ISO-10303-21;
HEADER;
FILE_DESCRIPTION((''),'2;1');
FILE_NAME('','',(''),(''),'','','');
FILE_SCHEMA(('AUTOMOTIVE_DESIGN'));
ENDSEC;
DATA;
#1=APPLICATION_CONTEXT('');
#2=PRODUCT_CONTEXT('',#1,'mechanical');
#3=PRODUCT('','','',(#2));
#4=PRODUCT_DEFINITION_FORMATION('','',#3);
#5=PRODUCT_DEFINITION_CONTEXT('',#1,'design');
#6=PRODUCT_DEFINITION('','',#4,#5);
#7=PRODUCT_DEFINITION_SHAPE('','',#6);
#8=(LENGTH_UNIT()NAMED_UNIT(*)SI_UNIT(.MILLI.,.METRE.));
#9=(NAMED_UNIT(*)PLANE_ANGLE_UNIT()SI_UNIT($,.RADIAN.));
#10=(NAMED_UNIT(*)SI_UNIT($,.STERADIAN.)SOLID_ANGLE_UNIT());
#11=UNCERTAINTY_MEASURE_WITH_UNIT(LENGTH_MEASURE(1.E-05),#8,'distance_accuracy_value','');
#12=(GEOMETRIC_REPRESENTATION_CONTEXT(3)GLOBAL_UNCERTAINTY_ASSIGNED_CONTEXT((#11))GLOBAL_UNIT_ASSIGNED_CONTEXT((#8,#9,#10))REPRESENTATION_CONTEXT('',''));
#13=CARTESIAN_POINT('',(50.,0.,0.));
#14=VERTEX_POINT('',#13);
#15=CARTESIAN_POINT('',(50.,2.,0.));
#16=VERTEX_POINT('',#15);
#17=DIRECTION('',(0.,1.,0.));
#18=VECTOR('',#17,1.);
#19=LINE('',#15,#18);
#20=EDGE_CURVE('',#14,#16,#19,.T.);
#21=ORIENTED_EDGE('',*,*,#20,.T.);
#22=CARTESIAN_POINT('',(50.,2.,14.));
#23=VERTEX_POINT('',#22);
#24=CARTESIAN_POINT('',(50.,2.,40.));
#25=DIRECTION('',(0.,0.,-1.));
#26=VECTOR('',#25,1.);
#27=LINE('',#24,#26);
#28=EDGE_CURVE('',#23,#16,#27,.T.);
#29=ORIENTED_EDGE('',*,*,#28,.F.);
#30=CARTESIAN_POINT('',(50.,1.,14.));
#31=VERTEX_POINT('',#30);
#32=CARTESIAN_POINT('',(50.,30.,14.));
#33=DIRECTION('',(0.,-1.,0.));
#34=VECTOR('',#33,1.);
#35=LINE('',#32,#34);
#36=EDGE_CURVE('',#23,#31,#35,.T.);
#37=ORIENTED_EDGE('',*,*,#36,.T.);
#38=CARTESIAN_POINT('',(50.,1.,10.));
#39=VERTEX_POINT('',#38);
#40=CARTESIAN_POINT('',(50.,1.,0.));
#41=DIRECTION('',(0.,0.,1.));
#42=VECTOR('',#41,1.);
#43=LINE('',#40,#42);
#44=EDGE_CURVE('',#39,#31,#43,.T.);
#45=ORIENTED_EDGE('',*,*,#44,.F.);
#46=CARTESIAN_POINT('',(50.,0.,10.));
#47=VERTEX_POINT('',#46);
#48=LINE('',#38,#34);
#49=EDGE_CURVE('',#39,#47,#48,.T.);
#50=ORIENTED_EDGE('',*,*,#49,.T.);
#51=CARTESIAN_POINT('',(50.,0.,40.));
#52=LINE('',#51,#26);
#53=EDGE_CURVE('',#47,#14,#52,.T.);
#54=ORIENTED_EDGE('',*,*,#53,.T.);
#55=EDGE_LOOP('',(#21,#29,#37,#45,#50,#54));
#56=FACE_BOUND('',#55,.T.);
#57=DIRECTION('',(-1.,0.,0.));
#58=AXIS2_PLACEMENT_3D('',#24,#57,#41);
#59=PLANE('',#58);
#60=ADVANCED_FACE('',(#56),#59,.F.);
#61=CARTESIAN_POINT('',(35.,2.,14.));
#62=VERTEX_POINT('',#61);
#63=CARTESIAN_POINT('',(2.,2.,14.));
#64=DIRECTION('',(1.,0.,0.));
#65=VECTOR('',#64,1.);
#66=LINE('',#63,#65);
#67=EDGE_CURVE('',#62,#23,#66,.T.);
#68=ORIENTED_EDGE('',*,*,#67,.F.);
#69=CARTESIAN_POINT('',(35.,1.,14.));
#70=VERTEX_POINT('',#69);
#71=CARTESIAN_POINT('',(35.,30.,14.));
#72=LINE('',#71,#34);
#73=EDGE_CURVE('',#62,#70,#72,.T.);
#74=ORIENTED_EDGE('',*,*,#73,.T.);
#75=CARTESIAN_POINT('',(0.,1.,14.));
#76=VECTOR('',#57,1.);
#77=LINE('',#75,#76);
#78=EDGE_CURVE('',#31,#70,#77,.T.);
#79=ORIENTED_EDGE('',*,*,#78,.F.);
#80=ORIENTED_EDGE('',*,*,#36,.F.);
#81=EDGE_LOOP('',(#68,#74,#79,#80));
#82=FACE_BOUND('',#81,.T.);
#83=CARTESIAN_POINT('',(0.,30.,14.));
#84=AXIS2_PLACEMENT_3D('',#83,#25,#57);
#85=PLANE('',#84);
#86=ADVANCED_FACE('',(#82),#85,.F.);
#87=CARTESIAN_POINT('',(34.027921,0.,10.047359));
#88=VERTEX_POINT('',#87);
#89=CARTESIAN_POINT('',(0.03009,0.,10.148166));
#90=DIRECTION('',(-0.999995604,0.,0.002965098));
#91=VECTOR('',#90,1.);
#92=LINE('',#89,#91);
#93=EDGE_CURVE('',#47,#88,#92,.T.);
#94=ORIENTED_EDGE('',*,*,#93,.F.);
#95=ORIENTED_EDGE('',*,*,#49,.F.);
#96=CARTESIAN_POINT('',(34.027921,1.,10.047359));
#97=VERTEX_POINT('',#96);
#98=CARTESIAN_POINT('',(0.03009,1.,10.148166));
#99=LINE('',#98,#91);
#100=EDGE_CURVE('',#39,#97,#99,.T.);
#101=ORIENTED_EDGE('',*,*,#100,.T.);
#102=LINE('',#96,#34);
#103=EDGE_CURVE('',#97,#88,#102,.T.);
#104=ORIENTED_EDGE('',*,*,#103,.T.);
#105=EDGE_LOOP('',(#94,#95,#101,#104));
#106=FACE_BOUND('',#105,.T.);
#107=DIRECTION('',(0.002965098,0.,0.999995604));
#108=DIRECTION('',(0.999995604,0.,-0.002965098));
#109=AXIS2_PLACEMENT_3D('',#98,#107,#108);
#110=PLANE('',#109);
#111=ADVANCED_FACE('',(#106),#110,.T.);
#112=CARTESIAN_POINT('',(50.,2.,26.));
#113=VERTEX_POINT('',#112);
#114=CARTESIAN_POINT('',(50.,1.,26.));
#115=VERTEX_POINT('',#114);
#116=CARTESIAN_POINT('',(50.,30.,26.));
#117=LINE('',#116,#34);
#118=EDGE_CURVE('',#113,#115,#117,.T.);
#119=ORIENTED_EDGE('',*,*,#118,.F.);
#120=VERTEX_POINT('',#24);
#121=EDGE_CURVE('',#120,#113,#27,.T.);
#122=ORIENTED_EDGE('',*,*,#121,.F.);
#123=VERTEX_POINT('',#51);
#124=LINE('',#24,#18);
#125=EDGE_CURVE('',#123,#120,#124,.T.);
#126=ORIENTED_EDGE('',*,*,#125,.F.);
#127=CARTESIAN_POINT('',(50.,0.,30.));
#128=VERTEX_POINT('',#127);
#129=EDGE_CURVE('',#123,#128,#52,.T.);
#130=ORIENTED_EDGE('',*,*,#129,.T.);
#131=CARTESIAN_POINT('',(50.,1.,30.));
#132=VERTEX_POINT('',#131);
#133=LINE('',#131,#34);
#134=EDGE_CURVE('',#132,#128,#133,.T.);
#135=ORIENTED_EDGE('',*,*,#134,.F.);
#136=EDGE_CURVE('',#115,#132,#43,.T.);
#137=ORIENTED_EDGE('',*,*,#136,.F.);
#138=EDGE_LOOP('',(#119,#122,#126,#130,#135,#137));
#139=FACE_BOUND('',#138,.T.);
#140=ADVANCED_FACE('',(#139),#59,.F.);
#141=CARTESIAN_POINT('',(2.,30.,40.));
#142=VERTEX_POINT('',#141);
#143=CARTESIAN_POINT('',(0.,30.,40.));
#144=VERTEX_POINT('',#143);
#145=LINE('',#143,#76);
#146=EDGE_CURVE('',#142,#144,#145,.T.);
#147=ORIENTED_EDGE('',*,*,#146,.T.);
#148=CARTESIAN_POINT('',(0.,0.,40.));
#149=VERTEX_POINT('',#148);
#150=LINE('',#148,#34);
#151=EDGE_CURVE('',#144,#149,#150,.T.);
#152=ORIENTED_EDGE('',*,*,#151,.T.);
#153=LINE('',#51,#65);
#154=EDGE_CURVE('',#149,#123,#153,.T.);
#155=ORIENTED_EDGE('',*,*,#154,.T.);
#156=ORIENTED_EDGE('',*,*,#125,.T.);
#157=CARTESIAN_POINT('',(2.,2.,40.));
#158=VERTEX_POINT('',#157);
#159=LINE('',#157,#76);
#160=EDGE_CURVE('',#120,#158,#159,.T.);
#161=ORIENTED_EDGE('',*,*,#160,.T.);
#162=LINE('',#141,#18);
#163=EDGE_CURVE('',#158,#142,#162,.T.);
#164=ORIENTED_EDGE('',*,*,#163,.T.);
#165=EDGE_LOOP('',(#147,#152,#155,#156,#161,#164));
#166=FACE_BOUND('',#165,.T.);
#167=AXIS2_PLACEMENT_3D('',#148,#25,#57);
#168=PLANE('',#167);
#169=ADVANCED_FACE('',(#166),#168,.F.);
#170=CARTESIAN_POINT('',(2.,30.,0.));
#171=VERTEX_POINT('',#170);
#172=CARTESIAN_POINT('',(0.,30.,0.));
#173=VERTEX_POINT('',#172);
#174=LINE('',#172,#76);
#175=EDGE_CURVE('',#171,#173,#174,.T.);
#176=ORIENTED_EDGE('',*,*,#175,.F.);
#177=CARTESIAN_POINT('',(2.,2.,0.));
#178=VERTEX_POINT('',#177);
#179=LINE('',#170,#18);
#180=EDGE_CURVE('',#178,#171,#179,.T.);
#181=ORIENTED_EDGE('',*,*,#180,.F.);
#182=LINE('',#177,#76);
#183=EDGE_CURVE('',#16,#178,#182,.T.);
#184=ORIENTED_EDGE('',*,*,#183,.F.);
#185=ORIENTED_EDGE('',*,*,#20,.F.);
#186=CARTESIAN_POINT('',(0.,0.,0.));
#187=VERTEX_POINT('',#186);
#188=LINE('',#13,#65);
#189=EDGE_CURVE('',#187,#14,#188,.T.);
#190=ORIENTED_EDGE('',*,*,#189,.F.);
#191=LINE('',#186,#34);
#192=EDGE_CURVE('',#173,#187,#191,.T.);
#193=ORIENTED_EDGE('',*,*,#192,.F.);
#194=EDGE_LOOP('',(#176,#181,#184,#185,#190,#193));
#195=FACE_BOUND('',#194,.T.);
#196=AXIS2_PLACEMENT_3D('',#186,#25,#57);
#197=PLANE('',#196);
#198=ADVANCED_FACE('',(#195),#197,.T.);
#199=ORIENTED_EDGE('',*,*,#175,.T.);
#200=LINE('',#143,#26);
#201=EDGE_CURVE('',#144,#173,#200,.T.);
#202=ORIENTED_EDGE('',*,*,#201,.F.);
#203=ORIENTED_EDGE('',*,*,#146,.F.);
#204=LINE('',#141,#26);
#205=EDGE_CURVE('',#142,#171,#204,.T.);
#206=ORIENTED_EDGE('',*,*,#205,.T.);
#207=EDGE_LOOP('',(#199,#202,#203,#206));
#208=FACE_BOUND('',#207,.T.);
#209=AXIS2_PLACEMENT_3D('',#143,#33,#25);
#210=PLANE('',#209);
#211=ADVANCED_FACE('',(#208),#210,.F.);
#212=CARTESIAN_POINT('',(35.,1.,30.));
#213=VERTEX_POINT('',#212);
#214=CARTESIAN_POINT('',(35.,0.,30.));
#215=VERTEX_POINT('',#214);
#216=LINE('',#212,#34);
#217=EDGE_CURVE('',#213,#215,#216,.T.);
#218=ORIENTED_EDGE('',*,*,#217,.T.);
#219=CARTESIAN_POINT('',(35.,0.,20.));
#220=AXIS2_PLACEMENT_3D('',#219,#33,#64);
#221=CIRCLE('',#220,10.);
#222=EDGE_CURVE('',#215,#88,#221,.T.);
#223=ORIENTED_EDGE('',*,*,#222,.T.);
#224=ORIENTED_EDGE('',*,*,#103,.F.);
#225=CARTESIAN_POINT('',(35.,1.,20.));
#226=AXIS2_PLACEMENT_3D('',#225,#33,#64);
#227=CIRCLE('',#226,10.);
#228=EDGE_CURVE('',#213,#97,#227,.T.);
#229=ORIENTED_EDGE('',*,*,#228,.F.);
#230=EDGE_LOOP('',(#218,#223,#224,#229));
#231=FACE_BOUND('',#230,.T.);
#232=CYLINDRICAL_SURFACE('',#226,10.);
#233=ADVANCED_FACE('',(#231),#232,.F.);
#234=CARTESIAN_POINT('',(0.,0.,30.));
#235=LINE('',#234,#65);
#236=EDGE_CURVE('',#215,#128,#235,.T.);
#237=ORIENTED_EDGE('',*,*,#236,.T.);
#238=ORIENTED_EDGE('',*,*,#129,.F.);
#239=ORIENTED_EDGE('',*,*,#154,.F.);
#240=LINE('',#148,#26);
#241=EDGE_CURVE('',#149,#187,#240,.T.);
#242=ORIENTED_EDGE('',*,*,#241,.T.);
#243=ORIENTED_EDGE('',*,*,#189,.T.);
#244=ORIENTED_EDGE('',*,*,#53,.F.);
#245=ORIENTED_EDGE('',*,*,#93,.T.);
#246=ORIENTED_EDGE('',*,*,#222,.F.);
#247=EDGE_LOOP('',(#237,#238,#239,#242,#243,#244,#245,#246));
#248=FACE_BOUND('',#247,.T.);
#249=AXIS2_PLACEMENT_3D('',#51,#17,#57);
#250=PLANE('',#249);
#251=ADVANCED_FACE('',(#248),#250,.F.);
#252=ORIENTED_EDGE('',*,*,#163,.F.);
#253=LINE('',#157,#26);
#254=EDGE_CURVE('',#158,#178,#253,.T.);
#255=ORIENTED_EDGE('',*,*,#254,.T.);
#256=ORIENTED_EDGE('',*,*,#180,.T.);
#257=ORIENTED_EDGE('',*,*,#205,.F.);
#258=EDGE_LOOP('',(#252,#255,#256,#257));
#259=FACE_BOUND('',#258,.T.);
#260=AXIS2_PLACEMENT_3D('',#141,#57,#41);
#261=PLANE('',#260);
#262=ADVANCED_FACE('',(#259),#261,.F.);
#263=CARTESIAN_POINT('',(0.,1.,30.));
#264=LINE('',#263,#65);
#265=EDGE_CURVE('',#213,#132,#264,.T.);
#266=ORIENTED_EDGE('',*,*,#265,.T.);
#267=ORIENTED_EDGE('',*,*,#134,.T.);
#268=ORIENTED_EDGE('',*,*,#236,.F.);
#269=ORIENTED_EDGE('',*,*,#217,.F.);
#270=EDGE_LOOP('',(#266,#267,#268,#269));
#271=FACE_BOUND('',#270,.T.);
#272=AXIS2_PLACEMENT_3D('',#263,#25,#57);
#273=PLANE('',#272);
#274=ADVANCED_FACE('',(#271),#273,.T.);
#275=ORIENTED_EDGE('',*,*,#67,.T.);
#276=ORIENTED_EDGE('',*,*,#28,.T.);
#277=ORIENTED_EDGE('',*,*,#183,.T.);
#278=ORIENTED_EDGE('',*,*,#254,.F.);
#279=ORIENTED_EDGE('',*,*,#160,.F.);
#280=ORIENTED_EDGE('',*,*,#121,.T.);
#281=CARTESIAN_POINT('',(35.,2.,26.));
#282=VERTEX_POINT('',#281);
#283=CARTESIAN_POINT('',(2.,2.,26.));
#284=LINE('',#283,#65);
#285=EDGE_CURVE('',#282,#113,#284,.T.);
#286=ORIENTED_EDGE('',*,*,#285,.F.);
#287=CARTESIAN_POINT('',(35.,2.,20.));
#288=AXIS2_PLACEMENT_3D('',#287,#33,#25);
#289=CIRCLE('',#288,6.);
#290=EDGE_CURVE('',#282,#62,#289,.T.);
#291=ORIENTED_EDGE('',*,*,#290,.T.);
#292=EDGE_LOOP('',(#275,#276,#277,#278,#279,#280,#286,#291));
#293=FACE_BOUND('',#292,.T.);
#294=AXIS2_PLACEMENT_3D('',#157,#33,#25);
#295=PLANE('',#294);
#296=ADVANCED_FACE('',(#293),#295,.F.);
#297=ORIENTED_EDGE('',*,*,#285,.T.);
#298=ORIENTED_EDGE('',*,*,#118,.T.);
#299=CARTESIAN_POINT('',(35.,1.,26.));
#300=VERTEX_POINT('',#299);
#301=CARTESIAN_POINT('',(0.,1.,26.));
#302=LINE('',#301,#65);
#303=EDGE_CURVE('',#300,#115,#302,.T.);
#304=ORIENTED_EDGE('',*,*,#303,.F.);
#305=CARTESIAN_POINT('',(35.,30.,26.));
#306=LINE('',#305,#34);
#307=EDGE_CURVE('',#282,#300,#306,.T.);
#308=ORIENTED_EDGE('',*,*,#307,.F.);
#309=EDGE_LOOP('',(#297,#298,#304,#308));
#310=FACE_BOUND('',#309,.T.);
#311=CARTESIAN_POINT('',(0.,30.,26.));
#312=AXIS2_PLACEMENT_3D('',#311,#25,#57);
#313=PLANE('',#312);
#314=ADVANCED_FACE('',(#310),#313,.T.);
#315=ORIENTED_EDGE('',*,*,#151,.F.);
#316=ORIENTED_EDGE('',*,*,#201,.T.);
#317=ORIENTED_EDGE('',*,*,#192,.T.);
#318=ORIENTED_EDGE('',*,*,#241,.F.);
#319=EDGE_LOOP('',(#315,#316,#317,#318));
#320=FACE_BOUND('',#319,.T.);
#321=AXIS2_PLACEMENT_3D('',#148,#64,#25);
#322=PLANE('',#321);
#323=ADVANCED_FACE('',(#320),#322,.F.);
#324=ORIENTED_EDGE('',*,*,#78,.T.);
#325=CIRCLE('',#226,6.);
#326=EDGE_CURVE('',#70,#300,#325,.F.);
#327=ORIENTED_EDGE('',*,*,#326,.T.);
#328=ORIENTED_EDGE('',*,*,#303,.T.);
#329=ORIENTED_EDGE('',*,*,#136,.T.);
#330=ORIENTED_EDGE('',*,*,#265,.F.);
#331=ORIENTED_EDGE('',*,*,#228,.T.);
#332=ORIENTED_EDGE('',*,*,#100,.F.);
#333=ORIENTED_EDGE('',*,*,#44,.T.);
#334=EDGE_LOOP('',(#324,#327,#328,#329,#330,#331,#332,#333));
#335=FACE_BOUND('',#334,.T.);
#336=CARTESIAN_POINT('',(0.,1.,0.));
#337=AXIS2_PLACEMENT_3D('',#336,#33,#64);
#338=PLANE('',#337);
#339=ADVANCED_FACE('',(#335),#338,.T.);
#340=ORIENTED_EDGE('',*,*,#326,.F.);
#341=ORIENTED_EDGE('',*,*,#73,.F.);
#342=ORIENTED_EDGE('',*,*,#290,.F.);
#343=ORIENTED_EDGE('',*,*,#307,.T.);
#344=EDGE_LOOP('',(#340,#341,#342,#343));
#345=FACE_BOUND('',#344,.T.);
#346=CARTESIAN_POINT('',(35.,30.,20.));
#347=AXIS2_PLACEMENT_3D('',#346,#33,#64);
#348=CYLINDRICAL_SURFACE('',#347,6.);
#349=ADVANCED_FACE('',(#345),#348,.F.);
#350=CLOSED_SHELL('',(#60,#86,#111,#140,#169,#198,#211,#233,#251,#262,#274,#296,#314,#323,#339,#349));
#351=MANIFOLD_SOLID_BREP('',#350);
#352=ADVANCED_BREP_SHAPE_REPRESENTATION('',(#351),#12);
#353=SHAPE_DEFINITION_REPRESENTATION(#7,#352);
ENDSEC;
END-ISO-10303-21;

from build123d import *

# Parameters (mm, degrees)
BOSS_EXTRUDE1_DEPTH = 40
SKETCH4_R           = 6
CUT_EXTRUDE1_DEPTH  = 71.710678119
CUT_EXTRUDE2_DEPTH  = 1


with BuildPart() as part:
    # Sketch1 → Boss-Extrude1 (new body)
    with BuildSketch(Plane.XY):
        Polygon((0, 0), (0, 30), (2, 30), (2, 2), (50, 2), (50, 0), align=None)
    extrude(amount=BOSS_EXTRUDE1_DEPTH)

    # Sketch4 → Cut-Extrude1 (cut, through all)
    with BuildSketch(Plane(origin=(0, 0, 0), x_dir=(-1, 0, 0), z_dir=(0, -1, 0))):
        with BuildLine():
            Line((-50, -26), (-35, -26))
            ThreePointArc((-35, -26), (-41, -20), (-35, -14))
            Line((-35, -14), (-50, -14))
            Line((-50, -14), (-50, -26))
        make_face()
        with Locations((-35, -20)):
            Circle(SKETCH4_R)
    extrude(amount=-CUT_EXTRUDE1_DEPTH, mode=Mode.SUBTRACT)

    # Sketch5 → Cut-Extrude2 (cut)
    with BuildSketch(Plane(origin=(0, 0, 0), x_dir=(-1, 0, 0), z_dir=(0, -1, 0))):
        with BuildLine():
            Line((-50, -30), (-35, -30))
            ThreePointArc((-35, -30), (-39.472135955, -28.94427191), (-43, -26))
            Line((-43, -26), (-50, -26))
            Line((-50, -26), (-50, -30))
        make_face()
        with BuildLine():
            Line((-50, -14), (-43, -14))
            ThreePointArc((-43, -14), (-39.876214832, -11.269448533), (-35.913040721, -10.041769402))
            Line((-35.913040721, -10.041769402), (-50, -10))
            Line((-50, -10), (-50, -14))
        make_face()
        with BuildLine():
            ThreePointArc((-43, -26), (-39.472135955, -28.94427191), (-35, -30))
            ThreePointArc((-35, -30), (-27.928932188, -27.071067812), (-25, -20))
            ThreePointArc((-25, -20), (-27.593219771, -13.281398461), (-34.027921329, -10.047358991))
            Line((-34.027921329, -10.047358991), (-35.913040721, -10.041769402))
            ThreePointArc((-35.913040721, -10.041769402), (-39.876214832, -11.269448533), (-43, -14))
            Line((-43, -14), (-35, -14))
            ThreePointArc((-35, -14), (-29, -20), (-35, -26))
            Line((-35, -26), (-43, -26))
        make_face()
    extrude(amount=-CUT_EXTRUDE2_DEPTH, mode=Mode.SUBTRACT)


solid = part.part
